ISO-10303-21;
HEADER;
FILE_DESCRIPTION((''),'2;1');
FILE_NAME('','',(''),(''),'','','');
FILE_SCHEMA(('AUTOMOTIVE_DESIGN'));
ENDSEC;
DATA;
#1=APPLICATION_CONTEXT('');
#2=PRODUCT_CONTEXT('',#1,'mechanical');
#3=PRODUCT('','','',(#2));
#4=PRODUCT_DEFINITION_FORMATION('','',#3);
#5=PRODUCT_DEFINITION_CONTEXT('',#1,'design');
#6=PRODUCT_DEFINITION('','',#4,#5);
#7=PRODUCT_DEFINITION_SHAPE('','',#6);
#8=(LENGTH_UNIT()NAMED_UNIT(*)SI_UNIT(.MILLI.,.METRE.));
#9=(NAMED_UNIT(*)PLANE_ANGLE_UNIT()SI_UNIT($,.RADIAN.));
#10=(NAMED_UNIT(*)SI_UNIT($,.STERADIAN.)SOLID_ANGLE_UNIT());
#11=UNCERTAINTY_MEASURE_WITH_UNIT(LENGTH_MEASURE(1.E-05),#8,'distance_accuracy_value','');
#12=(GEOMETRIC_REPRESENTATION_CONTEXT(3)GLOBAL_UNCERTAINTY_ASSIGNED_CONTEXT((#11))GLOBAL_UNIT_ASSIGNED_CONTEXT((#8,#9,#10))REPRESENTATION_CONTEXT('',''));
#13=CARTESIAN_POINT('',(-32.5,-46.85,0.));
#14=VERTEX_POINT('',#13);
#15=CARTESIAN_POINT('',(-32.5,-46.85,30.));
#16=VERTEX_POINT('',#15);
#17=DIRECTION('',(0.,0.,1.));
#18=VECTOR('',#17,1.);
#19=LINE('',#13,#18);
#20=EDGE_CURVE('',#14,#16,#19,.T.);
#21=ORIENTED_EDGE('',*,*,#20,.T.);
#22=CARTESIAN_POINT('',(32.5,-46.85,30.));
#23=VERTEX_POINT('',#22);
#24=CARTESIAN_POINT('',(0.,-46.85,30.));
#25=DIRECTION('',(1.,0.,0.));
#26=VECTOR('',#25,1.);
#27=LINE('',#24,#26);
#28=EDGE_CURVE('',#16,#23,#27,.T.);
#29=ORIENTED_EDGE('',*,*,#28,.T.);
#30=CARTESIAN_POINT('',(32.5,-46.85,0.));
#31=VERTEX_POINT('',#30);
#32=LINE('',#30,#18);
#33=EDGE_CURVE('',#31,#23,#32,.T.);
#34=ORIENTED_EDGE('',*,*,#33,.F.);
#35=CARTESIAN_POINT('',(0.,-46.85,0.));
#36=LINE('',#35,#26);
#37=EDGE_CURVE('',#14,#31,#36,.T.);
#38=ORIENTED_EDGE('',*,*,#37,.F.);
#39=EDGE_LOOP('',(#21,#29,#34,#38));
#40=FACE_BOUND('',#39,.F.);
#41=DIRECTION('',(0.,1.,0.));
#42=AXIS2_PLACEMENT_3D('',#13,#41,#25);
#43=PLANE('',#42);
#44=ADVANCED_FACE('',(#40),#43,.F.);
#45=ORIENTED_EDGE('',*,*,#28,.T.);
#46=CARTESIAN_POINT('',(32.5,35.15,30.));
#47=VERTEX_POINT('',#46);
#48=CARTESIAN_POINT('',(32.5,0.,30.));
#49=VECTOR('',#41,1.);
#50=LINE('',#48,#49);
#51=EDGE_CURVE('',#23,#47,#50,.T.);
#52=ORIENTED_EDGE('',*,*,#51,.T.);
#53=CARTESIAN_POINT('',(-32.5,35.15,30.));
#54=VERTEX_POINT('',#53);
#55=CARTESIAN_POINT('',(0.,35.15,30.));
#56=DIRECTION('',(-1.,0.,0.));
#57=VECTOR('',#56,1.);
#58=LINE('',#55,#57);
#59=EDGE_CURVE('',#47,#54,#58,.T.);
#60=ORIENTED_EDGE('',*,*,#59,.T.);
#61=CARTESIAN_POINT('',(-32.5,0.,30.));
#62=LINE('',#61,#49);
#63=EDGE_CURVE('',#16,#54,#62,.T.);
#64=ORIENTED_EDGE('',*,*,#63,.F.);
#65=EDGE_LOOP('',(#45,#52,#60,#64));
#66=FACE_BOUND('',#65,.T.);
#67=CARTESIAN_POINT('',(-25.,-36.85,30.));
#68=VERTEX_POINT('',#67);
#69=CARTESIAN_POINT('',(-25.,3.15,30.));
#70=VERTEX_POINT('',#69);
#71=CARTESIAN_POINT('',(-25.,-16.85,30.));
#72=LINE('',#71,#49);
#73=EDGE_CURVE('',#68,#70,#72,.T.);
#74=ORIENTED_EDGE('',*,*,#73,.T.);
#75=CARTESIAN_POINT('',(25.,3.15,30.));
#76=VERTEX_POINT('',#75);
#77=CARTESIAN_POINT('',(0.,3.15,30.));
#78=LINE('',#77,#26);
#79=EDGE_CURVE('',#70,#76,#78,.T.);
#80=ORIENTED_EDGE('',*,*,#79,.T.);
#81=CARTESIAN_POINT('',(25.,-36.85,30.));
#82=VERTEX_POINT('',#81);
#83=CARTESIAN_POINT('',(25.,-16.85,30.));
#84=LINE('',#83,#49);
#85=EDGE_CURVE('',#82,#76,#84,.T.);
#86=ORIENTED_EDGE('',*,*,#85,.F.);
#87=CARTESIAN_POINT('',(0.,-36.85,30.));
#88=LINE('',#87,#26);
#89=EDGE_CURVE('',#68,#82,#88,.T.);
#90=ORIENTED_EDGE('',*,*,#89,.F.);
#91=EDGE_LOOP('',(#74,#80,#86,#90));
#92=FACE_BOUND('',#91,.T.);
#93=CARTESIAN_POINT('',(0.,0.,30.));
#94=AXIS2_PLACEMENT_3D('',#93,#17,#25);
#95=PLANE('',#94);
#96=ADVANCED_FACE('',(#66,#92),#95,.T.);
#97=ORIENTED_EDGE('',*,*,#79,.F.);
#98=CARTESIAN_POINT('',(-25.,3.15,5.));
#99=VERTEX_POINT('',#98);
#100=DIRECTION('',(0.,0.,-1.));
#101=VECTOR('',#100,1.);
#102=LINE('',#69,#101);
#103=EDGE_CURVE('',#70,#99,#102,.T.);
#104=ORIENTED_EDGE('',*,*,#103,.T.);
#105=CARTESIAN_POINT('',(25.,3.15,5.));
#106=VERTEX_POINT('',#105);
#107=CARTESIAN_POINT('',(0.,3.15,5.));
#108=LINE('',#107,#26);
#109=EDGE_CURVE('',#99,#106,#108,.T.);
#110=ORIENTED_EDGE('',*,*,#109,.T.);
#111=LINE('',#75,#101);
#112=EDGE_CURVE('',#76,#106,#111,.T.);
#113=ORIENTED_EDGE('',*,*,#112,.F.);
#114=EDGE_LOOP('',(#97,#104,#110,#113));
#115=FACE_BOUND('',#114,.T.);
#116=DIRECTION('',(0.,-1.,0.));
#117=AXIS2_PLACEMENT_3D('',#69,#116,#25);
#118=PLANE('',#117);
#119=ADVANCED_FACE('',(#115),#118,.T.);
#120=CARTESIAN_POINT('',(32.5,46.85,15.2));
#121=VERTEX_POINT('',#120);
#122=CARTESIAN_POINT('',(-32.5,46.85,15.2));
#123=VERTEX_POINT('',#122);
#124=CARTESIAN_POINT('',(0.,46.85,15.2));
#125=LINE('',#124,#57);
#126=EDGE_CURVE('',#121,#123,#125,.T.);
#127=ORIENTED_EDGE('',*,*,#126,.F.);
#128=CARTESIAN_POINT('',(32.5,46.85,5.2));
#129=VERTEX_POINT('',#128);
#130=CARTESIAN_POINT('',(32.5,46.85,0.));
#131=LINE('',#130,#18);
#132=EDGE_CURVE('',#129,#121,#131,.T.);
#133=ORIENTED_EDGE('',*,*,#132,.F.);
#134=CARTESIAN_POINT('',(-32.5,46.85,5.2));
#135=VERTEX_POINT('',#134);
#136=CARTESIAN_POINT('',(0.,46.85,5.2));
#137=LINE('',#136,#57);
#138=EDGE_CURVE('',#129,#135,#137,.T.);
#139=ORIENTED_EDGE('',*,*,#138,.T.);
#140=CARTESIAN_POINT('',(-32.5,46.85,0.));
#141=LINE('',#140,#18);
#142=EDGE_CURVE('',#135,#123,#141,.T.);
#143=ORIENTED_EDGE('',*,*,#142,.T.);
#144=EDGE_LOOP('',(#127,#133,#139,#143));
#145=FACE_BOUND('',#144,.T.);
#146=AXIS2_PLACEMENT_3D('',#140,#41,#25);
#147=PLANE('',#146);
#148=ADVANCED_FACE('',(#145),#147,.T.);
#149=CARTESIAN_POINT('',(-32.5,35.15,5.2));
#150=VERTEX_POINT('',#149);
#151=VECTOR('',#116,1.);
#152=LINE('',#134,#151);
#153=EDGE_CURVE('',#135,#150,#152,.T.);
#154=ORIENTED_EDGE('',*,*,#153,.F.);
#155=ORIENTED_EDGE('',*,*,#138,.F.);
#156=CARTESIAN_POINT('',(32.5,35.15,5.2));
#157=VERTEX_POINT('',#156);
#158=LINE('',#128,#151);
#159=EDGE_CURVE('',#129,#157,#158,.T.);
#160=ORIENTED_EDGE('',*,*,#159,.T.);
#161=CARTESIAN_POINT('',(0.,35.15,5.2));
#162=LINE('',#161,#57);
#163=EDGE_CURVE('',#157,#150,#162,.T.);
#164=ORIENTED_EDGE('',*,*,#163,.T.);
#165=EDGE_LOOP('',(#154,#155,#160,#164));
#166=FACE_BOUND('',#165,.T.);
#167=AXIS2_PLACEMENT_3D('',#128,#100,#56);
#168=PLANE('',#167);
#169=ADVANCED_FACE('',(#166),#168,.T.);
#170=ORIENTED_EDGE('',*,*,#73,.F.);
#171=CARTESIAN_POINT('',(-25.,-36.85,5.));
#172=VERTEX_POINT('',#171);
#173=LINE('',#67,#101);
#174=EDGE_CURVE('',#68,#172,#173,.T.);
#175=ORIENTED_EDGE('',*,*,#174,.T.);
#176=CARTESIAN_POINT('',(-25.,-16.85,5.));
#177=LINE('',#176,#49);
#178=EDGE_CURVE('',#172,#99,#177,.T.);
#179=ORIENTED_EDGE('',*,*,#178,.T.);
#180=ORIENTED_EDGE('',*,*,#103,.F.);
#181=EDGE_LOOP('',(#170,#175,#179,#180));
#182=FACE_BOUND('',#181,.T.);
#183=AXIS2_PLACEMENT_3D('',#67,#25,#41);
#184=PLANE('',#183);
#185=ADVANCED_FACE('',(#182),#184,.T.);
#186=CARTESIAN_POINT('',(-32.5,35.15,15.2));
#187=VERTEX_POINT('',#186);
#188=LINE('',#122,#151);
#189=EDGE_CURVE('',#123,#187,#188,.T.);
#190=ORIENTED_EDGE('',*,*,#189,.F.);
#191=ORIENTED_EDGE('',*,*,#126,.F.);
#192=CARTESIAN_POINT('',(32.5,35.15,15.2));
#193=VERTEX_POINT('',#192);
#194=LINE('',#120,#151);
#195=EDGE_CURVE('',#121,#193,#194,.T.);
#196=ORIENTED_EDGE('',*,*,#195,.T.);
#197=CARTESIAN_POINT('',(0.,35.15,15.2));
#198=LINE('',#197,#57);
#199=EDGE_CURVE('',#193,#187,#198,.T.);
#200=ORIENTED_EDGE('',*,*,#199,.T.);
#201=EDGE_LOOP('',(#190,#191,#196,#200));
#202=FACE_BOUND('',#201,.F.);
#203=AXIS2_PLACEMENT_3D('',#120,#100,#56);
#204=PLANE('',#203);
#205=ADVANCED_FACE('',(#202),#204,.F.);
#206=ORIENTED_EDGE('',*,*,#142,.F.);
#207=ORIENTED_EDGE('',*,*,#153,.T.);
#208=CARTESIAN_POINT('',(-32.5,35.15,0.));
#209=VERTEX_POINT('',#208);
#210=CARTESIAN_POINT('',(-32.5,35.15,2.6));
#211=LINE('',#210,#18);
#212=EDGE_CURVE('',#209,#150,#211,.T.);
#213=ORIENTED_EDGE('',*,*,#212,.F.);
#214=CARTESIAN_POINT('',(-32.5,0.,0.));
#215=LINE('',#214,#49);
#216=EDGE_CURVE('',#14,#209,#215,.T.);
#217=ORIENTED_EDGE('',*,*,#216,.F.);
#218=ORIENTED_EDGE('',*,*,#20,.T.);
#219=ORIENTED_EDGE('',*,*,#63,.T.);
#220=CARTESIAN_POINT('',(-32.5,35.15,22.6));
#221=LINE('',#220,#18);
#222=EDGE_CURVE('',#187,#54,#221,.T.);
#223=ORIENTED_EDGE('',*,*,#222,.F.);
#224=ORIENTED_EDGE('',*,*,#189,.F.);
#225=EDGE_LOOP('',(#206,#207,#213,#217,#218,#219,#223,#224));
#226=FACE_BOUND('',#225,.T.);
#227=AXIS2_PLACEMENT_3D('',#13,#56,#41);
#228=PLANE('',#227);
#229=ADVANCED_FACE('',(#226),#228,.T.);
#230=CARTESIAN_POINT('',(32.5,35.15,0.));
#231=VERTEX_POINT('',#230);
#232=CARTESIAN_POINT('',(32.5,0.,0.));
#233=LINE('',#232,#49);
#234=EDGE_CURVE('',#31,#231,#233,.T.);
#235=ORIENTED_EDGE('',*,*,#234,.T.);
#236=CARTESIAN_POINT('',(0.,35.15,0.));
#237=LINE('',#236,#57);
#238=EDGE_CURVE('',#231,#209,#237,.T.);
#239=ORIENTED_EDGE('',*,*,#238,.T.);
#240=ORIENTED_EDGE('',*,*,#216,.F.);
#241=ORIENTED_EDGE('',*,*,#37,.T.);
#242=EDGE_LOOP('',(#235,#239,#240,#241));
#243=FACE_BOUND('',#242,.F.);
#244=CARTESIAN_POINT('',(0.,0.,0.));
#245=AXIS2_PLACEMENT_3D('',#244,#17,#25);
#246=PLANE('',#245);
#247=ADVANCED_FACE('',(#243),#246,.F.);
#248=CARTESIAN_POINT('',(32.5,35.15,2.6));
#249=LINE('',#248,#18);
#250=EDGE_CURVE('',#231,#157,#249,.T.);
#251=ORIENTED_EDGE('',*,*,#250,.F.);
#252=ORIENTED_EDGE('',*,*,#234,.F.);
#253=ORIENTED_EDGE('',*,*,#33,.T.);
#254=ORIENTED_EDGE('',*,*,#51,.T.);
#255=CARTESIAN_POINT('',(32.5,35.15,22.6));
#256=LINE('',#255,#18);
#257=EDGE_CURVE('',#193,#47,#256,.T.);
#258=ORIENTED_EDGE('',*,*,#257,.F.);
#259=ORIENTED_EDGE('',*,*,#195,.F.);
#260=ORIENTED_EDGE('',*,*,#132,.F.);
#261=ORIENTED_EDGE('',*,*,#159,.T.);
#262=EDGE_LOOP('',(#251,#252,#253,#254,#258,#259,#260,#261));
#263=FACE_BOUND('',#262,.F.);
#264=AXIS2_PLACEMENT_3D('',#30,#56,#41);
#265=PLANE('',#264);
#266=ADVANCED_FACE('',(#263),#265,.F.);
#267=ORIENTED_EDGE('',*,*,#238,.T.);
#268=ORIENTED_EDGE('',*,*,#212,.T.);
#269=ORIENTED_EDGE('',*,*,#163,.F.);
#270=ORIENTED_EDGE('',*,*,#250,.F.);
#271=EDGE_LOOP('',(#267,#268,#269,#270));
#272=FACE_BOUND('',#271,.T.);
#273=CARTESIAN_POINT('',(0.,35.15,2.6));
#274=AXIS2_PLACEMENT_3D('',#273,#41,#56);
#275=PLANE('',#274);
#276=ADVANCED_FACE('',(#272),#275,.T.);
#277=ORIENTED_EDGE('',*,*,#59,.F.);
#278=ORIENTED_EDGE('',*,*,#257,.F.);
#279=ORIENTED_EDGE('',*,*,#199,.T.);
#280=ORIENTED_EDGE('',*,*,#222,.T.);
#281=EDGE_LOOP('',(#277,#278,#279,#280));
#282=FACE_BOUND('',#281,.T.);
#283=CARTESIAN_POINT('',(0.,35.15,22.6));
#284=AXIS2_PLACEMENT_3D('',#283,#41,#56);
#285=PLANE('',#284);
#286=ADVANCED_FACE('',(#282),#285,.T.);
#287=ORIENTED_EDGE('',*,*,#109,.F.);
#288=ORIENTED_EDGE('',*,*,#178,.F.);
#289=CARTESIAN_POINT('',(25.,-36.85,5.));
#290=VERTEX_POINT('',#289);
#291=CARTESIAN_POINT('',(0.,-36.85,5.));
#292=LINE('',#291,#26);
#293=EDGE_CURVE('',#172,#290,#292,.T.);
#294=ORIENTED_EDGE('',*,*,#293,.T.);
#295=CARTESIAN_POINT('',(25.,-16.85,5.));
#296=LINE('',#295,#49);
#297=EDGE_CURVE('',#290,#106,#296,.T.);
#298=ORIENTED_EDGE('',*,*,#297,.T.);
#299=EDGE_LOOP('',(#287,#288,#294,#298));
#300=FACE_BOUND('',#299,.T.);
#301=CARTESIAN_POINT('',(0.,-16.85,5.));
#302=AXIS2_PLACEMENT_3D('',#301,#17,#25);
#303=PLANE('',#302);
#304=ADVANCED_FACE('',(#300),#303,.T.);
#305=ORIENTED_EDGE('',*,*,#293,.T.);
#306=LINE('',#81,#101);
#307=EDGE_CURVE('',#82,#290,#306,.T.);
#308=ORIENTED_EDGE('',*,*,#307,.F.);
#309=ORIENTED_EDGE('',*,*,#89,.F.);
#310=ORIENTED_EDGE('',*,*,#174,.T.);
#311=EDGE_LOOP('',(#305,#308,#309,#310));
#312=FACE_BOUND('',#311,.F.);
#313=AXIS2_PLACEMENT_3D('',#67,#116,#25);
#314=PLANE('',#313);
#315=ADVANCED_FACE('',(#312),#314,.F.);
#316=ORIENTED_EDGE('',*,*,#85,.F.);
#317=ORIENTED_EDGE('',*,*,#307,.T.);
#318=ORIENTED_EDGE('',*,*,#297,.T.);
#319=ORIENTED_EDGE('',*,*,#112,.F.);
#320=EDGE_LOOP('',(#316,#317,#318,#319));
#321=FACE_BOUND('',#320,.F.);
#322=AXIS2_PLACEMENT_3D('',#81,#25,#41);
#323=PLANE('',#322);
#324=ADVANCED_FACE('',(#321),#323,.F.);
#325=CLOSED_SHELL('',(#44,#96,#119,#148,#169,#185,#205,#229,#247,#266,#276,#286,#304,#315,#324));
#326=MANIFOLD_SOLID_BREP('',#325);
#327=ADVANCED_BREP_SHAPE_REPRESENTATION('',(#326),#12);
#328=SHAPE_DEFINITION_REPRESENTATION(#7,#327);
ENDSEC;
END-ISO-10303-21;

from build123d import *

# Parameters (mm, degrees)
F0_W     = 65
F0_H     = 93.7
F1_DEPTH = 30
F2_W     = 65
F2_H     = 14.8
F3_DEPTH = 11.7
F4_W     = 65
F4_H     = 5.2
F5_DEPTH = 11.7
F6_W     = 50
F6_H     = 40
F7_DEPTH = 25


with BuildPart() as f1:
    # F0 (on Top) → F1 (new body)
    with BuildSketch(Plane.XY):
        Rectangle(F0_W, F0_H)
    extrude(amount=F1_DEPTH)

    # F2 (on face) → F3 (cut)
    with BuildSketch(Plane(origin=(0, 46.85, 0), x_dir=(-1, 0, 0), z_dir=(0, 1, 0))):
        with Locations((0, 22.6)):
            Rectangle(F2_W, F2_H)
    extrude(amount=-F3_DEPTH, mode=Mode.SUBTRACT)

    # F4 (on face) → F5 (cut)
    with BuildSketch(Plane(origin=(0, 46.85, 0), x_dir=(-1, 0, 0), z_dir=(0, 1, 0))):
        with Locations((0, 2.6)):
            Rectangle(F4_W, F4_H)
    extrude(amount=-F5_DEPTH, mode=Mode.SUBTRACT)

    # F6 (on face) → F7 (cut)
    with BuildSketch(Plane.XY.offset(30)):
        with Locations((0, -16.85)):
            Rectangle(F6_W, F6_H)
    extrude(amount=-F7_DEPTH, mode=Mode.SUBTRACT)


solid = f1.part
